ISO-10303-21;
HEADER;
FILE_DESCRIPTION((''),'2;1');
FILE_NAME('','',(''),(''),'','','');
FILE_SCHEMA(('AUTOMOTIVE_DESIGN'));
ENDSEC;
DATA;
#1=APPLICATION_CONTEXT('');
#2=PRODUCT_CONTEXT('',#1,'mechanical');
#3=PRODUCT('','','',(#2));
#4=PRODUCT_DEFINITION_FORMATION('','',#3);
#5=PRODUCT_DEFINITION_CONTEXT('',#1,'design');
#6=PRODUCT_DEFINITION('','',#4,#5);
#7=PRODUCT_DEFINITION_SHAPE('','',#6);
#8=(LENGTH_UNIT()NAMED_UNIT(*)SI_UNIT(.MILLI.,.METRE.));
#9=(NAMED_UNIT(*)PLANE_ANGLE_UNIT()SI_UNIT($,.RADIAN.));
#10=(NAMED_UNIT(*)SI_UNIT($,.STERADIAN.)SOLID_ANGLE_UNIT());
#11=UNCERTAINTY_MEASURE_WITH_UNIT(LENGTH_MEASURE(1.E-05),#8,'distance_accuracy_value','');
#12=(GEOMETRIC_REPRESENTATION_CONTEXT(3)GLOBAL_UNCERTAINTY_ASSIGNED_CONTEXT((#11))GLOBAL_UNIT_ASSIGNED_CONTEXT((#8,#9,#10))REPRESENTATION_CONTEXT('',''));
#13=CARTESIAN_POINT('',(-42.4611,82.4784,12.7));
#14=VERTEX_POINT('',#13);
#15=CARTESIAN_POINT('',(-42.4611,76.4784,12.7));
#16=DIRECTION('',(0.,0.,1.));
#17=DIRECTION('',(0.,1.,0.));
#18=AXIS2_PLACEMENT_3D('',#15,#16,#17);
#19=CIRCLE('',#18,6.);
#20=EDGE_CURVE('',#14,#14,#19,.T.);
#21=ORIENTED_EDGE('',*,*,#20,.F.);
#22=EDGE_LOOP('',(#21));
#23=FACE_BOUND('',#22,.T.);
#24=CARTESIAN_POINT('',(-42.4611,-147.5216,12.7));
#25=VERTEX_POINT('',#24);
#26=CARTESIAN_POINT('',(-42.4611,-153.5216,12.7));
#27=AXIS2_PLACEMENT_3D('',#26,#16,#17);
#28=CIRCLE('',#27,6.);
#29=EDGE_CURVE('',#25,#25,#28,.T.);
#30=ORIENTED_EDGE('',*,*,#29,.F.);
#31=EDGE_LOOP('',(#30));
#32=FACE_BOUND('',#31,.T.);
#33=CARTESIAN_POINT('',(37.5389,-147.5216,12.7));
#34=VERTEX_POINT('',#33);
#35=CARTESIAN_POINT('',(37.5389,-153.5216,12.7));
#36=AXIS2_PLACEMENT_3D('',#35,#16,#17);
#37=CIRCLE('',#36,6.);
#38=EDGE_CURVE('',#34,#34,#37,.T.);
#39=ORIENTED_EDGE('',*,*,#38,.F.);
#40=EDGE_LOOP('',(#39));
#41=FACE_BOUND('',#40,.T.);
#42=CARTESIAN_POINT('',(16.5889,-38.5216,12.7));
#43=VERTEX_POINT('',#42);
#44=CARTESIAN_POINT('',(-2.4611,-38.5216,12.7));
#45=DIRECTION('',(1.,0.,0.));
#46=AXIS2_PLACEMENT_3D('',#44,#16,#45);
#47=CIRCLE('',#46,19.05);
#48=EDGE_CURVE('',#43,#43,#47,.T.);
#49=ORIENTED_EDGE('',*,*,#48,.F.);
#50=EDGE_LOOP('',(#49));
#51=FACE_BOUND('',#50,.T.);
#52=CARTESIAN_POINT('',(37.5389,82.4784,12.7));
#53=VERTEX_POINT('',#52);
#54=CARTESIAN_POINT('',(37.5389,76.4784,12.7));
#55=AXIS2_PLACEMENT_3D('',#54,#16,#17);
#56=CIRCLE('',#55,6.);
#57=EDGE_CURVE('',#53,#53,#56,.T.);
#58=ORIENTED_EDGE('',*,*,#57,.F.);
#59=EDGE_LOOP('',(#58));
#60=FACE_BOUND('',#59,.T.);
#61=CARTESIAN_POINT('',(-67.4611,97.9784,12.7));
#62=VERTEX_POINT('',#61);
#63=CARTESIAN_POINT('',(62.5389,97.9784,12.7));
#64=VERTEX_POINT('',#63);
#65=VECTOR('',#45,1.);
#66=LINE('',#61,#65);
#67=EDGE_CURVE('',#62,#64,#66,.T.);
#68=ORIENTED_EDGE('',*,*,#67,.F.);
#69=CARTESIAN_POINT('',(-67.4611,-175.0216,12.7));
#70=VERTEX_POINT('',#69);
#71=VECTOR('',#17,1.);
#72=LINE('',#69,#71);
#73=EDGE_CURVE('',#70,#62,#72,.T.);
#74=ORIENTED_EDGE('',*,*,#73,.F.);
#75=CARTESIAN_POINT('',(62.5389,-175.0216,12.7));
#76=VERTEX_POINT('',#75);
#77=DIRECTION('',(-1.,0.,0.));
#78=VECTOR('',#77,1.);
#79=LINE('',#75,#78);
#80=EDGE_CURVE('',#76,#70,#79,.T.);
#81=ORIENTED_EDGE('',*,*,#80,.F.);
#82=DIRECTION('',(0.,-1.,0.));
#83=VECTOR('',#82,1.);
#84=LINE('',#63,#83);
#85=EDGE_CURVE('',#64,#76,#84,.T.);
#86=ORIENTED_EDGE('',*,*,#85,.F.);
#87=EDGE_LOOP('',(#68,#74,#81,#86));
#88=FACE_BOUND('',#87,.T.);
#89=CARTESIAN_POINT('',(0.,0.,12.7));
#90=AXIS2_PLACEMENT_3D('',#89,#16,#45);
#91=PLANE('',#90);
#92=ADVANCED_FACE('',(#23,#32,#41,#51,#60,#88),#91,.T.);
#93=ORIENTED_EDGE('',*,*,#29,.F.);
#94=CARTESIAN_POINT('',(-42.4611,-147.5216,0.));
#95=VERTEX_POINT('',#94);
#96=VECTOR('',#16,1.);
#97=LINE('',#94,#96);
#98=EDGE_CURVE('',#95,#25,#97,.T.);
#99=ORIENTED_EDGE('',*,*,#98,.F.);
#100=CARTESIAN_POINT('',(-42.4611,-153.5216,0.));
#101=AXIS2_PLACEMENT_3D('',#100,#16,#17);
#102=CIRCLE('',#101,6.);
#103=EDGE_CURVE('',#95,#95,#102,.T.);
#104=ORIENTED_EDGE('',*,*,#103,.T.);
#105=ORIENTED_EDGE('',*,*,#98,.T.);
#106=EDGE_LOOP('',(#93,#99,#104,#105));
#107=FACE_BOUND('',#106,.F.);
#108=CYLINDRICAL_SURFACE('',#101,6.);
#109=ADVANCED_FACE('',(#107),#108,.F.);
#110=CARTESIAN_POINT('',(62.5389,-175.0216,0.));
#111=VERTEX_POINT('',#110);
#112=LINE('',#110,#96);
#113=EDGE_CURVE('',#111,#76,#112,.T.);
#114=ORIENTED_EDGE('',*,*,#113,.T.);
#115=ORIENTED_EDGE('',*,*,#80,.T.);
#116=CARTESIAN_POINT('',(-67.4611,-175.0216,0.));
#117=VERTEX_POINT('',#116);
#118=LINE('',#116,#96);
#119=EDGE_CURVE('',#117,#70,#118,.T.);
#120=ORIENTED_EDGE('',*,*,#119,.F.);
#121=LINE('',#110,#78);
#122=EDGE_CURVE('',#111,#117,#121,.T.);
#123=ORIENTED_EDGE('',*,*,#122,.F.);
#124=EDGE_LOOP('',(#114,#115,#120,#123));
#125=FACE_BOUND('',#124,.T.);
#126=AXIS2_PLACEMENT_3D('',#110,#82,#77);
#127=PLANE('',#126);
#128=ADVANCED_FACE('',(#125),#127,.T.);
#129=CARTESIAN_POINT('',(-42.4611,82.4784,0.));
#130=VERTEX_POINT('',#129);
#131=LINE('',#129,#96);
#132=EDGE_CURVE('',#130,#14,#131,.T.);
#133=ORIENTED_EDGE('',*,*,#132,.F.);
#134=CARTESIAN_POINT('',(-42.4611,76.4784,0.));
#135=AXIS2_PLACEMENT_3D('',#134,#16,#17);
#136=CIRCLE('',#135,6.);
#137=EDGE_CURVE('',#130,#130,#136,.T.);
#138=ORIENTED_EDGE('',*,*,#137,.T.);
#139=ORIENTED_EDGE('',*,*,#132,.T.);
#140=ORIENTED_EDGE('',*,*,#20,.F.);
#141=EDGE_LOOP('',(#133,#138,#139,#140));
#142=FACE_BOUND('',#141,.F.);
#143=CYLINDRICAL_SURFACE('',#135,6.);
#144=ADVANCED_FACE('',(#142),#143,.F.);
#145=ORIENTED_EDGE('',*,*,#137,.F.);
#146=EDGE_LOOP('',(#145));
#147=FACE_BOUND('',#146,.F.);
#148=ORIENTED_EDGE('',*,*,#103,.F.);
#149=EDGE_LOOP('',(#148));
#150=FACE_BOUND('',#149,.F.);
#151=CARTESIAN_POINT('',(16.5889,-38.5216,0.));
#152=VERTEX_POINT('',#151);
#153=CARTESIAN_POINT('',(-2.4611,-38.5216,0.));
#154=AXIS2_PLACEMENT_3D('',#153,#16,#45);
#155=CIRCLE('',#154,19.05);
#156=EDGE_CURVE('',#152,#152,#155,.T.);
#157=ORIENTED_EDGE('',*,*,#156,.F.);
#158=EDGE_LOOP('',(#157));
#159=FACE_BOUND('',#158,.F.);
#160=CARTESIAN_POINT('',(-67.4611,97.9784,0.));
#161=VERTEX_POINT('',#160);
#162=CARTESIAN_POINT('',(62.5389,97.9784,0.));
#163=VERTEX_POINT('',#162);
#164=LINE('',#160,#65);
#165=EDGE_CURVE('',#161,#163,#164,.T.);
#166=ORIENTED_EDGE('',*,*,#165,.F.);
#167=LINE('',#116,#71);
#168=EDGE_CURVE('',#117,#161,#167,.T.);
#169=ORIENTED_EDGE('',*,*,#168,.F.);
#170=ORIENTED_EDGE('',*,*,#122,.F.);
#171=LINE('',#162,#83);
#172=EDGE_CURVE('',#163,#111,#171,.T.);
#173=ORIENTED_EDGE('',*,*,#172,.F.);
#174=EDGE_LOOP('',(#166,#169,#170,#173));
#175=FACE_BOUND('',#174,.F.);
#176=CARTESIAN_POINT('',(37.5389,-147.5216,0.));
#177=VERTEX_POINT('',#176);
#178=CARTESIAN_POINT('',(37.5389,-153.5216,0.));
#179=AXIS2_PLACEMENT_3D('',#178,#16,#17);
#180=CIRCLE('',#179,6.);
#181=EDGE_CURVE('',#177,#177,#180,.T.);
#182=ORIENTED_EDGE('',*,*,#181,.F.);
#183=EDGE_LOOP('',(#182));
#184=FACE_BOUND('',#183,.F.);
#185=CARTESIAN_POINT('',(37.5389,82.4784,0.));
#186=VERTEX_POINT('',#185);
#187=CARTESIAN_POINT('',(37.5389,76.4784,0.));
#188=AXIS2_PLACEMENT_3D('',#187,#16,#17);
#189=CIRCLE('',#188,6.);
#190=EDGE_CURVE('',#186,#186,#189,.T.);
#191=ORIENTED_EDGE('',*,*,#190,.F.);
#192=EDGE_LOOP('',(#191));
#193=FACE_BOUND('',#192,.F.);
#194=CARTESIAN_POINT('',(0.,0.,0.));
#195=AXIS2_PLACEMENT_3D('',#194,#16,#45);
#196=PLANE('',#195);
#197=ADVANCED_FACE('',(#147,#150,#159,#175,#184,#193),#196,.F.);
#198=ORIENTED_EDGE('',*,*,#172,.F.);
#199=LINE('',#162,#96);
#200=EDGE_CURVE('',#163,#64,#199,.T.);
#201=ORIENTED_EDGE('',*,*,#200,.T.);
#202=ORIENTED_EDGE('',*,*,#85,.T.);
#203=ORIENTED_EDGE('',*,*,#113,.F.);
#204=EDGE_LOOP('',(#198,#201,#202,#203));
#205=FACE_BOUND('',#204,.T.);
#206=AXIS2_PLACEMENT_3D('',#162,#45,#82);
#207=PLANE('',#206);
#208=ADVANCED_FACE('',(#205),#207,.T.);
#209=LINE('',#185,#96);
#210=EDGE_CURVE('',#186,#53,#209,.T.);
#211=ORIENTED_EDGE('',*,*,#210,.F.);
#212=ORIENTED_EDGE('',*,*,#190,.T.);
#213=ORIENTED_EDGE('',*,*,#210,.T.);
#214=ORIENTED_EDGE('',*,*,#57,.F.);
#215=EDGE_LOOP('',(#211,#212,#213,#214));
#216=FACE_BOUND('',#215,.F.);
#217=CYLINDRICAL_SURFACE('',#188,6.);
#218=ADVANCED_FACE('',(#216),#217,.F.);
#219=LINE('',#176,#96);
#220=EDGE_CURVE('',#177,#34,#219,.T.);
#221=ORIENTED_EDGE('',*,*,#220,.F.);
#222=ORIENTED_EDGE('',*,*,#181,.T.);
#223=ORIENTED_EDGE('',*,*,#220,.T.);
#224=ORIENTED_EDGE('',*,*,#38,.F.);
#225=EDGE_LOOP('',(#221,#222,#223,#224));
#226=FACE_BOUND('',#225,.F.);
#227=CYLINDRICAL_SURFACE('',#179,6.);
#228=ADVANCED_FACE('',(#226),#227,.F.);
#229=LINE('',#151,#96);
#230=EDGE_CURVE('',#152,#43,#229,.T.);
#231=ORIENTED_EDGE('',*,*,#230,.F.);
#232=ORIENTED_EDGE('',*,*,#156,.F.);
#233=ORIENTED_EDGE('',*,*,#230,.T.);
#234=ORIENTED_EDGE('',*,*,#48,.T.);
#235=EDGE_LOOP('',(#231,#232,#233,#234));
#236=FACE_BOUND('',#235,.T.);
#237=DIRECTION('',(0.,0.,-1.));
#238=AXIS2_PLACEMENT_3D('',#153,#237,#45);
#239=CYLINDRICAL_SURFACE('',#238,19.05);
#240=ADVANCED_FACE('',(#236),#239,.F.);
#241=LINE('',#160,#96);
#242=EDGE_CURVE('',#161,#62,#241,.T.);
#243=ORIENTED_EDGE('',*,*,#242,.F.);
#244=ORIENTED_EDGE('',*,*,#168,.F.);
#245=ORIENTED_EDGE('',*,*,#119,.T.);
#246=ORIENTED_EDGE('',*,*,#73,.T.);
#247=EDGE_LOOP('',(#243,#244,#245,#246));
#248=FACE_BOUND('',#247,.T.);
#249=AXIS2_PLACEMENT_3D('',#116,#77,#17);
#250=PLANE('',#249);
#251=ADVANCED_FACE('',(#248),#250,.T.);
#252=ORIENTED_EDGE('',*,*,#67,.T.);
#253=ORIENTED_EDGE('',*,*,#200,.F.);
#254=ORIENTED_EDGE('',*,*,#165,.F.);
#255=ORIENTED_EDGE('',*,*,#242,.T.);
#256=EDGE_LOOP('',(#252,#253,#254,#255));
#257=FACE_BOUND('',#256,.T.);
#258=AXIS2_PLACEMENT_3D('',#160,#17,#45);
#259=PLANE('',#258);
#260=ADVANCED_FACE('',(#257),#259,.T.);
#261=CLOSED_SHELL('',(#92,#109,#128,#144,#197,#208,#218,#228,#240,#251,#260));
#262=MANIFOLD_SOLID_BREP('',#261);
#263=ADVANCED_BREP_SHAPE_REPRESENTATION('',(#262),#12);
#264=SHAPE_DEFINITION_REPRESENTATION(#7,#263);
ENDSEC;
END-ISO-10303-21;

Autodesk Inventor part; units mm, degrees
ref_plane "YZ Plane" through (0, 0, 0) normal (1, 0, 0) x (0, 1, 0)
ref_plane "XZ Plane" through (0, 0, 0) normal (0, 1, 0) x (-1, 0, 0)
ref_plane "XY Plane" through (0, 0, 0) normal (0, 0, 1) x (1, 0, 0)
sketch "Sketch1" plane through (0, 0, 0) normal (0, 0, 1) x (1, 0, 0)
  line L0 (-67.4611, 97.9784) -> (62.5389, 97.9784)
  line L1 (62.5389, 97.9784) -> (62.5389, -175.0216)
  line L2 (62.5389, -175.0216) -> (-67.4611, -175.0216)
  line L3 (-67.4611, -175.0216) -> (-67.4611, 97.9784)
  circle A0 centre (-2.4611, -38.5216) radius 19.05
  line L4 (-67.4611, -38.5216) -> (62.5389, -38.5216) construction
  line L5 (-2.4611, 97.9784) -> (-2.4611, -175.0216) construction
  point P0 (0, 0)
  point P1 (-2.4611, -38.5216)
  dimension "d0" = 38.1
  dimension "d3" = 130
  dimension "d4" = 273
extrude "Extrusion1" add sketch "Sketch1" along normal blind 12.7
sketch "Sketch2" plane through (0, 0, 0) normal (0, 0, -1) x (-1, 0, 0)
  line L0 (67.4611, -175.0216) -> (-62.5389, -175.0216) projected
  line L1 (67.4611, 97.9784) -> (67.4611, -175.0216) projected
  line L2 (-62.5389, 97.9784) -> (67.4611, 97.9784) projected
  line L3 (-62.5389, -175.0216) -> (-62.5389, 97.9784) projected
  circle A0 centre (2.4611, -38.5216) radius 19.05 projected
  line L4 (2.4611, -38.5216) -> (2.4611, -25.0418)
  line L5 (2.4611, -25.0418) -> (2.4611, -38.5216)
  line L6 (14.6161, -38.5216) -> (2.4611, -38.5216)
  point P0 (0, 0)
  point P1 (42.4611, 76.4784)
  point P2 (-37.5389, 76.4784)
  point P3 (-37.5389, -153.5216)
  point P4 (42.4611, -153.5216)
  dimension "d5" = 230
  dimension "d6" = 80
  dimension "d7" = 80
  dimension "d8" = 230
hole "Hole1" at (-42.4611, 76.4784, 0) at (37.5389, 76.4784, 0) at (37.5389, -153.5216, 0) at (-42.4611, -153.5216, 0) direction (0, 0, 1) diameter 12 end through all
equation "\"d7\" = d6"
equation "\"d8\" = d5"
properties part number "placa superior" material "Steel ASTM A36"
